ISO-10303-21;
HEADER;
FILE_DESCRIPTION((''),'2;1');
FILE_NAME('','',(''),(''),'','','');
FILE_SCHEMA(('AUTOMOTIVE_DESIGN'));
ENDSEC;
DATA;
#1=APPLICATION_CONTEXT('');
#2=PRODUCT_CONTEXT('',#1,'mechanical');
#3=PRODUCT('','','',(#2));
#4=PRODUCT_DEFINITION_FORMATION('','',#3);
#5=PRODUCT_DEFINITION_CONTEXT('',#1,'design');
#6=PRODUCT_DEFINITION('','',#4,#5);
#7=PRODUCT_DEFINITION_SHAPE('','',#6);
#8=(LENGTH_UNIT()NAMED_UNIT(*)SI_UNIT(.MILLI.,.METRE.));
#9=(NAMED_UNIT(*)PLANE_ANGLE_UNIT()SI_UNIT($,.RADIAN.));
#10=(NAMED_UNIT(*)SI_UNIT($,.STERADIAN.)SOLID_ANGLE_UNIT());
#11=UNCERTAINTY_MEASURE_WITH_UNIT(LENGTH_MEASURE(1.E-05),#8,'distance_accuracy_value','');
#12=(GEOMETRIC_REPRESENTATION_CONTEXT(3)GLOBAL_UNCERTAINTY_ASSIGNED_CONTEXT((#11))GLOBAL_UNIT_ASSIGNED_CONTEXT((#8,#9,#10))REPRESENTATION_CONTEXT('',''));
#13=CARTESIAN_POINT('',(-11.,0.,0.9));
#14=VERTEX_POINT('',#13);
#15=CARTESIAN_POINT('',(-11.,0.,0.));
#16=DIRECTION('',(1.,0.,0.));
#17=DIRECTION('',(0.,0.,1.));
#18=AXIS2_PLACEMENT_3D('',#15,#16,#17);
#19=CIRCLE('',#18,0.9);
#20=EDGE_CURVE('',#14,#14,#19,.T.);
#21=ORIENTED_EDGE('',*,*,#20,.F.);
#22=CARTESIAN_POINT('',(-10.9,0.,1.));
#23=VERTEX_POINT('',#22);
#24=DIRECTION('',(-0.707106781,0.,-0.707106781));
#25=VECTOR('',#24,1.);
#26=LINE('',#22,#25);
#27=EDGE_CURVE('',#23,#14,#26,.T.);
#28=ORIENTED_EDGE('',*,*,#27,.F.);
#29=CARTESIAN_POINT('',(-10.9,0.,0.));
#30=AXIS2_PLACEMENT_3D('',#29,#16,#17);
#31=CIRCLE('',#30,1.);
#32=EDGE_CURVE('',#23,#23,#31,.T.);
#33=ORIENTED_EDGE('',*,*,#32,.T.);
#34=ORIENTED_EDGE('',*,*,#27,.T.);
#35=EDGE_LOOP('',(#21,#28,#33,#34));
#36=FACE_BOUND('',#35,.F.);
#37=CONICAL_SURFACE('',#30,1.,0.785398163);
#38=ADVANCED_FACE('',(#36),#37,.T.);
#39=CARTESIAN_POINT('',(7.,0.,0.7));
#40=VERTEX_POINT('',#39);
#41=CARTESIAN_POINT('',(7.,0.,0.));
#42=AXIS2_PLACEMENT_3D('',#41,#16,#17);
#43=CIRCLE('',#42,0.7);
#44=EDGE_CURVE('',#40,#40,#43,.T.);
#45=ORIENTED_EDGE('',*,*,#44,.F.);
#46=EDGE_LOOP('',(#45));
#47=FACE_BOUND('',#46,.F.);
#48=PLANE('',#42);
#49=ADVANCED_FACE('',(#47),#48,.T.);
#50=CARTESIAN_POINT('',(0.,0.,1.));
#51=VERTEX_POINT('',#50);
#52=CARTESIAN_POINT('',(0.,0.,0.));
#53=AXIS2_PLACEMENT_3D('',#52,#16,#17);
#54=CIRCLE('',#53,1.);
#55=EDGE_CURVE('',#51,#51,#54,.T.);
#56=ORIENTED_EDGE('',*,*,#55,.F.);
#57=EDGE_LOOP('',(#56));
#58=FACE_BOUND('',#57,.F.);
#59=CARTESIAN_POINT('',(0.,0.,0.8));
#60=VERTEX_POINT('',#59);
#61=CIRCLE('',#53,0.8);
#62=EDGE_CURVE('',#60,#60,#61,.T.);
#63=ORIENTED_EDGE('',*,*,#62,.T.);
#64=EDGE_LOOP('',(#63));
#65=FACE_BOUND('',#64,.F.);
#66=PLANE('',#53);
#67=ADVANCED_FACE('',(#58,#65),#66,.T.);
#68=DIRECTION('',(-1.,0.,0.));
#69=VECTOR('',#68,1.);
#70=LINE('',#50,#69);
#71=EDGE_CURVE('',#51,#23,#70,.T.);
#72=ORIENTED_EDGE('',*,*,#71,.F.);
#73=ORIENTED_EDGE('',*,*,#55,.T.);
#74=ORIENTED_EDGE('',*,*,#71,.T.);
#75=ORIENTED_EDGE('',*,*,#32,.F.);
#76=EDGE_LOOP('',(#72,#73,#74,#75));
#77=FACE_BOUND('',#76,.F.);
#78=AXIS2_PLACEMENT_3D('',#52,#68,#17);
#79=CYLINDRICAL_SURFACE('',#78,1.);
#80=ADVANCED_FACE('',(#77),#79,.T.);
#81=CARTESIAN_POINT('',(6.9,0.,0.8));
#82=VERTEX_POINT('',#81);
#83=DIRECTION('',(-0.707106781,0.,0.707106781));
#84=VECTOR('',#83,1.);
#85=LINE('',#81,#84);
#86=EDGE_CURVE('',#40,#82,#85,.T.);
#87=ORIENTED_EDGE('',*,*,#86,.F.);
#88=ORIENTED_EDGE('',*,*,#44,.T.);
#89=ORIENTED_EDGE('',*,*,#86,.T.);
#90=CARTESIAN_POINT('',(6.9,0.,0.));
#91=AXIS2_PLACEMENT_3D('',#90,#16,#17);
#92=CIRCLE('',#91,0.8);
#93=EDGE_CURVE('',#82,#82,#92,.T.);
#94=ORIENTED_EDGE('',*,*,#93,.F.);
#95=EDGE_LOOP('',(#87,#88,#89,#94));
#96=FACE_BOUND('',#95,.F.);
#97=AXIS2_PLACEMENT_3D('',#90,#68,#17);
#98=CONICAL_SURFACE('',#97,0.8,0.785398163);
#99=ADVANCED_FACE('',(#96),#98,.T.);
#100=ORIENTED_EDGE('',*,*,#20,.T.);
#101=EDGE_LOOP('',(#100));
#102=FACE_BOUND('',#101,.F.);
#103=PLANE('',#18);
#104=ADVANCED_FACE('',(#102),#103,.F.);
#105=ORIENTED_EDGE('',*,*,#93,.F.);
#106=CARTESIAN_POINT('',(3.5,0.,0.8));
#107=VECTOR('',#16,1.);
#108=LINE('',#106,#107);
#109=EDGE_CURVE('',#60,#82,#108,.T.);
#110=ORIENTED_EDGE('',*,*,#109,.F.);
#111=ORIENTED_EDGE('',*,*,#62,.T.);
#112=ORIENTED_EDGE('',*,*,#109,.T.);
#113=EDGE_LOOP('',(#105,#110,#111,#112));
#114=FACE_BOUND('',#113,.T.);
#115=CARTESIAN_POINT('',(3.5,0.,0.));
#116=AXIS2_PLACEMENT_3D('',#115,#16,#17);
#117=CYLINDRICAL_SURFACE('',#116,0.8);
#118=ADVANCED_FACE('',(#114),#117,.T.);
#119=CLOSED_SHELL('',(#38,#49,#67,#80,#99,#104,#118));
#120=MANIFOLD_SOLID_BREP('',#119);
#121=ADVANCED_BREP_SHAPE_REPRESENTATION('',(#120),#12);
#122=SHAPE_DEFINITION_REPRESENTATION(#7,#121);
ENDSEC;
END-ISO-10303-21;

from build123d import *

# Parameters (mm, degrees)
F0_W    = 7
F0_H    = 0.8
F2_SIZE = 0.1


with BuildPart() as f1:
    # F0 (on Front) → F1 (revolve)
    with BuildSketch(Plane.XZ):
        Polygon((0, 1), (-11, 1), (-11, 0), (0, 0), (0, 0.8), align=None)
        with Locations((3.5, 0.4)):
            Rectangle(F0_W, F0_H)
    revolve(axis=Axis((-2, 0, 0), (1, 0, 0)))

    # F2
    f2_edges = [f1.edges().sort_by_distance(p)[0] for p in [
        (-11, 0, -1),
        (7, 0, -0.8),
    ]]
    chamfer(f2_edges, length=F2_SIZE)


solid = f1.part
